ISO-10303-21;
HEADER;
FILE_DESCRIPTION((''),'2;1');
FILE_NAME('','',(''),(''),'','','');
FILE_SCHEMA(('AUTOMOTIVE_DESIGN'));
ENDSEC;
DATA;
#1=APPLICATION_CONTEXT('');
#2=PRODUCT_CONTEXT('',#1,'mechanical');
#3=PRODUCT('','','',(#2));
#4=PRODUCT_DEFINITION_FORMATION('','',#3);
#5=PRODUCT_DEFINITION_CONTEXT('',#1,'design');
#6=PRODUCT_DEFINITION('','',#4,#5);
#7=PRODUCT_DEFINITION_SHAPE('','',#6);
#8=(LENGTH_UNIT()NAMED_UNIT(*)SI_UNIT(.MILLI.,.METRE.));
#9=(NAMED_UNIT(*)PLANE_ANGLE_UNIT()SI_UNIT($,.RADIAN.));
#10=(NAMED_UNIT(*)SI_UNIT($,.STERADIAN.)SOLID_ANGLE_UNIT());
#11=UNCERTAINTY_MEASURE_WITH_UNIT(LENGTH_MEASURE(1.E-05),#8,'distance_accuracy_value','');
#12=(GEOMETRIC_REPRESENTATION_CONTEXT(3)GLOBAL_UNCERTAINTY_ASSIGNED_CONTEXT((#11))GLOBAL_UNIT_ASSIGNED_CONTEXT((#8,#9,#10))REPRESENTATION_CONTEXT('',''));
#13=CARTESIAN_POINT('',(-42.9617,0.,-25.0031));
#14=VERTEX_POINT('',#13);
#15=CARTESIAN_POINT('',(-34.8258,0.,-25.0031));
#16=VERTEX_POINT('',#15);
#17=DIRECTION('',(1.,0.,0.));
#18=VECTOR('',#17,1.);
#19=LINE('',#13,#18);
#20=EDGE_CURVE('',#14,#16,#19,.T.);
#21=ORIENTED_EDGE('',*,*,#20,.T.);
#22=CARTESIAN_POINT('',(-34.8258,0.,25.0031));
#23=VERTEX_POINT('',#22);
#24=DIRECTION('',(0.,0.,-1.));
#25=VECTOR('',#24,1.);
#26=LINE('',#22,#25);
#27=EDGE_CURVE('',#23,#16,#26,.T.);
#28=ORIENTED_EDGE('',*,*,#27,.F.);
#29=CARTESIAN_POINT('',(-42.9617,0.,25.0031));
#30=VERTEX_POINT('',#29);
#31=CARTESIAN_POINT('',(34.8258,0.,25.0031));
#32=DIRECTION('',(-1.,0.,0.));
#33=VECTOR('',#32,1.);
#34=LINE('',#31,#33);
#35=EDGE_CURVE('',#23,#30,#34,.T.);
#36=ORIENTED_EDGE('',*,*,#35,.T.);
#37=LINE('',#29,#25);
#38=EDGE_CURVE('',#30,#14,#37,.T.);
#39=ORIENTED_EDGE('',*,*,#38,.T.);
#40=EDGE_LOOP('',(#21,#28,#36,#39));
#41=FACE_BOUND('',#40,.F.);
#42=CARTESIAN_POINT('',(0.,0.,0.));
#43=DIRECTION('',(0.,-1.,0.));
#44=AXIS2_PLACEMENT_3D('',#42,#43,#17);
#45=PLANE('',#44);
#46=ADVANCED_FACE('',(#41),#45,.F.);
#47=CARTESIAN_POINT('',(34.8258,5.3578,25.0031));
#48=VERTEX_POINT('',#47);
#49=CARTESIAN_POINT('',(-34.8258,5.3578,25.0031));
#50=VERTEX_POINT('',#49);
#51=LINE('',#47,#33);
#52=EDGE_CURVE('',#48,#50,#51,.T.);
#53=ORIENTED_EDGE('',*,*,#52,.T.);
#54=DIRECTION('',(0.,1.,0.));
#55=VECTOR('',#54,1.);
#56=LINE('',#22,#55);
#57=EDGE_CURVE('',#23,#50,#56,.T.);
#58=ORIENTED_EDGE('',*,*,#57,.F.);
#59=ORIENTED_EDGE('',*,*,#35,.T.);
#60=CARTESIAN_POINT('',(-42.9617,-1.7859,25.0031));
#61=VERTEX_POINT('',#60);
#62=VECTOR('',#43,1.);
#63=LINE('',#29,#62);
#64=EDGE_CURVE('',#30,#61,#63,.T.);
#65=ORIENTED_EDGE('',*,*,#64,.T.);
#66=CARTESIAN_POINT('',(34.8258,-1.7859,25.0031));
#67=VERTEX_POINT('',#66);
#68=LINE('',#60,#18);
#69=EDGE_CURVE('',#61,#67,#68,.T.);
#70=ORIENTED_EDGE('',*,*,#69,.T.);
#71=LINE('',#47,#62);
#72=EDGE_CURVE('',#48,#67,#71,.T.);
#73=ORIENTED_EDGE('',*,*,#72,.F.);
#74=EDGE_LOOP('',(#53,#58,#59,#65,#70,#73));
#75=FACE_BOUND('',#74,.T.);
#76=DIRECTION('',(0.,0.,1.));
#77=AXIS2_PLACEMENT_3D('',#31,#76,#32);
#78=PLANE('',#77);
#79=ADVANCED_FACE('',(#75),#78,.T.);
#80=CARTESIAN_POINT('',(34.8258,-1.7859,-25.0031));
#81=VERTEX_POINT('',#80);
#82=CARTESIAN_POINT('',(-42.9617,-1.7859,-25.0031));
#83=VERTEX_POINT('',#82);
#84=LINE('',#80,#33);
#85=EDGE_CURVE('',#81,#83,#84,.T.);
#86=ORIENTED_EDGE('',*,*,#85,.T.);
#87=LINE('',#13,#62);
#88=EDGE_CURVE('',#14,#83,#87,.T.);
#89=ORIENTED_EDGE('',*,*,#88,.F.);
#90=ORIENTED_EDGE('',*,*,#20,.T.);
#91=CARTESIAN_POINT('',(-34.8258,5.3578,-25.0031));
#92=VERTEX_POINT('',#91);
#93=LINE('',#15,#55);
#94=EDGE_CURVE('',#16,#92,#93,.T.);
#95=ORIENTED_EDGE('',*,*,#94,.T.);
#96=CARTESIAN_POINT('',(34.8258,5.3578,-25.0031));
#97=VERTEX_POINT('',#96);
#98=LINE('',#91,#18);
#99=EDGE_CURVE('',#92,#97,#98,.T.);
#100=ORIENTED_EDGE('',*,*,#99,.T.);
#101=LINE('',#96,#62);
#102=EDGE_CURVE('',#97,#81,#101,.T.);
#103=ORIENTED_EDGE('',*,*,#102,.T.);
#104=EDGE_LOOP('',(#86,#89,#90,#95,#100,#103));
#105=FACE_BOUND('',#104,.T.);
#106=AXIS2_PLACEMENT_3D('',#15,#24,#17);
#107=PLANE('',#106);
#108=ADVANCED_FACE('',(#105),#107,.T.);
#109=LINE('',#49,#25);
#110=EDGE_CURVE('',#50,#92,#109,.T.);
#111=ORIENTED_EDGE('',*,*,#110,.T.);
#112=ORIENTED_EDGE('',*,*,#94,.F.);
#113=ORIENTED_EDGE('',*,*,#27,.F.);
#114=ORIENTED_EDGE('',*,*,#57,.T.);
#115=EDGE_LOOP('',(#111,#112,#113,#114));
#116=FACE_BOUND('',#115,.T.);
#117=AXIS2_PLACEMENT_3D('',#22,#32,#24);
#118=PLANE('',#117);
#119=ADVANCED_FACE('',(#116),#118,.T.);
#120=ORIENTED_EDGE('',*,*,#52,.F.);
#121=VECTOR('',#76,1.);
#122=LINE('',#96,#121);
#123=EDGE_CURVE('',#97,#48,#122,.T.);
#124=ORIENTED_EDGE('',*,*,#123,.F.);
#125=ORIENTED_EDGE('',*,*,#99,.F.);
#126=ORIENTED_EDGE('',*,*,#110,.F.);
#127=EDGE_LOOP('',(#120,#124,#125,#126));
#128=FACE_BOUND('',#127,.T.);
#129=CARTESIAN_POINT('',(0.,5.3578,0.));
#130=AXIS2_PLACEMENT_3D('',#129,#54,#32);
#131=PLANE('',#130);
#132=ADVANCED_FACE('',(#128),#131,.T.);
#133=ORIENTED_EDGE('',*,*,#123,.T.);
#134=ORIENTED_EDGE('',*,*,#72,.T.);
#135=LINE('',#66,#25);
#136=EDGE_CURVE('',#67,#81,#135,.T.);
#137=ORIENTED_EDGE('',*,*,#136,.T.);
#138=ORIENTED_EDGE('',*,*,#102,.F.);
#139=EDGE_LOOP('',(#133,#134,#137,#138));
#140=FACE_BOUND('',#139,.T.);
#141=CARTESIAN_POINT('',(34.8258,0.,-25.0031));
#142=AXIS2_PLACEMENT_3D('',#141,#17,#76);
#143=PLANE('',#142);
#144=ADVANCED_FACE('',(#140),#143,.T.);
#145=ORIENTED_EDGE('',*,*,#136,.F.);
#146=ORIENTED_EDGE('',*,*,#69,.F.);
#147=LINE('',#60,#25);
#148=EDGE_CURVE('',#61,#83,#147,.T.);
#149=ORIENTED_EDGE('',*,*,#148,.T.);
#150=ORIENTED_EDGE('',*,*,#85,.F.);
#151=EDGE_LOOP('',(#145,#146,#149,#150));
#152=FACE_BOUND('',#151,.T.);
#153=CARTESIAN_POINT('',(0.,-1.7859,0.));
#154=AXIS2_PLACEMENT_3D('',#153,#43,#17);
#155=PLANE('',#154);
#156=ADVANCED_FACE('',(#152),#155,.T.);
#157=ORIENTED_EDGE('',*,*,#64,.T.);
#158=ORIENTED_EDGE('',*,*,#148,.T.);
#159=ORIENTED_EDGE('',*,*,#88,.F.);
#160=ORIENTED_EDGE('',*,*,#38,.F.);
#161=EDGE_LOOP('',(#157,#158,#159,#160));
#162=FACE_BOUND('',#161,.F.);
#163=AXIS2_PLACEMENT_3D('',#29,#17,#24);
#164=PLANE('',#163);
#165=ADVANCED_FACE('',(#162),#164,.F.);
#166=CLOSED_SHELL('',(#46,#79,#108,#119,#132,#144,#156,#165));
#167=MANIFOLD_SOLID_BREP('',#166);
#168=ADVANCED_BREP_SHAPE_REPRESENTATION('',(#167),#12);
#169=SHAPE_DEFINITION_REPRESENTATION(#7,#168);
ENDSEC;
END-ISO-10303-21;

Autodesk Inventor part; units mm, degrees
ref_plane "YZ Plane" through (0, 0, 0) normal (1, 0, 0) x (0, 1, 0)
ref_plane "XZ Plane" through (0, 0, 0) normal (0, 1, 0) x (-1, 0, 0)
ref_plane "XY Plane" through (0, 0, 0) normal (0, 0, 1) x (1, 0, 0)
sketch "Sketch1" plane through (0, 0, 0) normal (0, 1, 0) x (-1, 0, 0)
  line L0 (34.8258, -25.0031) -> (-34.8258, -25.0031)
  line L1 (-34.8258, -25.0031) -> (-34.8258, 25.0031)
  line L2 (-34.8258, 25.0031) -> (34.8258, 25.0031)
  line L3 (34.8258, 25.0031) -> (34.8258, -25.0031)
  point P0 (0, 0)
  point P1 (-34.8258, 0)
  point P2 (0, -25.0031)
  dimension "d0" = 69.6516
  dimension "d1" = 50.0063
extrude "Extrusion1" add sketch "Sketch1" along normal blind 5.3578
sketch "Sketch2" plane through (0, 0, 0) normal (0, -1, 0) x (1, 0, 0)
  line L0 (34.8258, 25.0031) -> (34.8258, -25.0031) projected
  line L1 (-34.8258, 25.0031) -> (34.8258, 25.0031) projected
  line L2 (34.8258, -25.0031) -> (-34.8258, -25.0031)
  line L3 (-34.8258, -25.0031) -> (-34.8258, 25.0031)
  line L4 (-34.8258, 25.0031) -> (34.8258, 25.0031)
  line L5 (34.8258, 25.0031) -> (34.8258, -25.0031)
  line L6 (-34.8258, 25.0031) -> (-42.9617, 25.0031)
  line L7 (-42.9617, 25.0031) -> (-42.9617, -25.0031)
  line L8 (-42.9617, -25.0031) -> (-34.8258, -25.0031)
  line L9 (-34.8258, -25.0031) -> (-34.8258, 25.0031)
  point P0 (0, 0)
  dimension "d4" = 8.1359
extrude "Extrusion2" add sketch "Sketch2" along normal blind 1.7859
properties part number "screen"
